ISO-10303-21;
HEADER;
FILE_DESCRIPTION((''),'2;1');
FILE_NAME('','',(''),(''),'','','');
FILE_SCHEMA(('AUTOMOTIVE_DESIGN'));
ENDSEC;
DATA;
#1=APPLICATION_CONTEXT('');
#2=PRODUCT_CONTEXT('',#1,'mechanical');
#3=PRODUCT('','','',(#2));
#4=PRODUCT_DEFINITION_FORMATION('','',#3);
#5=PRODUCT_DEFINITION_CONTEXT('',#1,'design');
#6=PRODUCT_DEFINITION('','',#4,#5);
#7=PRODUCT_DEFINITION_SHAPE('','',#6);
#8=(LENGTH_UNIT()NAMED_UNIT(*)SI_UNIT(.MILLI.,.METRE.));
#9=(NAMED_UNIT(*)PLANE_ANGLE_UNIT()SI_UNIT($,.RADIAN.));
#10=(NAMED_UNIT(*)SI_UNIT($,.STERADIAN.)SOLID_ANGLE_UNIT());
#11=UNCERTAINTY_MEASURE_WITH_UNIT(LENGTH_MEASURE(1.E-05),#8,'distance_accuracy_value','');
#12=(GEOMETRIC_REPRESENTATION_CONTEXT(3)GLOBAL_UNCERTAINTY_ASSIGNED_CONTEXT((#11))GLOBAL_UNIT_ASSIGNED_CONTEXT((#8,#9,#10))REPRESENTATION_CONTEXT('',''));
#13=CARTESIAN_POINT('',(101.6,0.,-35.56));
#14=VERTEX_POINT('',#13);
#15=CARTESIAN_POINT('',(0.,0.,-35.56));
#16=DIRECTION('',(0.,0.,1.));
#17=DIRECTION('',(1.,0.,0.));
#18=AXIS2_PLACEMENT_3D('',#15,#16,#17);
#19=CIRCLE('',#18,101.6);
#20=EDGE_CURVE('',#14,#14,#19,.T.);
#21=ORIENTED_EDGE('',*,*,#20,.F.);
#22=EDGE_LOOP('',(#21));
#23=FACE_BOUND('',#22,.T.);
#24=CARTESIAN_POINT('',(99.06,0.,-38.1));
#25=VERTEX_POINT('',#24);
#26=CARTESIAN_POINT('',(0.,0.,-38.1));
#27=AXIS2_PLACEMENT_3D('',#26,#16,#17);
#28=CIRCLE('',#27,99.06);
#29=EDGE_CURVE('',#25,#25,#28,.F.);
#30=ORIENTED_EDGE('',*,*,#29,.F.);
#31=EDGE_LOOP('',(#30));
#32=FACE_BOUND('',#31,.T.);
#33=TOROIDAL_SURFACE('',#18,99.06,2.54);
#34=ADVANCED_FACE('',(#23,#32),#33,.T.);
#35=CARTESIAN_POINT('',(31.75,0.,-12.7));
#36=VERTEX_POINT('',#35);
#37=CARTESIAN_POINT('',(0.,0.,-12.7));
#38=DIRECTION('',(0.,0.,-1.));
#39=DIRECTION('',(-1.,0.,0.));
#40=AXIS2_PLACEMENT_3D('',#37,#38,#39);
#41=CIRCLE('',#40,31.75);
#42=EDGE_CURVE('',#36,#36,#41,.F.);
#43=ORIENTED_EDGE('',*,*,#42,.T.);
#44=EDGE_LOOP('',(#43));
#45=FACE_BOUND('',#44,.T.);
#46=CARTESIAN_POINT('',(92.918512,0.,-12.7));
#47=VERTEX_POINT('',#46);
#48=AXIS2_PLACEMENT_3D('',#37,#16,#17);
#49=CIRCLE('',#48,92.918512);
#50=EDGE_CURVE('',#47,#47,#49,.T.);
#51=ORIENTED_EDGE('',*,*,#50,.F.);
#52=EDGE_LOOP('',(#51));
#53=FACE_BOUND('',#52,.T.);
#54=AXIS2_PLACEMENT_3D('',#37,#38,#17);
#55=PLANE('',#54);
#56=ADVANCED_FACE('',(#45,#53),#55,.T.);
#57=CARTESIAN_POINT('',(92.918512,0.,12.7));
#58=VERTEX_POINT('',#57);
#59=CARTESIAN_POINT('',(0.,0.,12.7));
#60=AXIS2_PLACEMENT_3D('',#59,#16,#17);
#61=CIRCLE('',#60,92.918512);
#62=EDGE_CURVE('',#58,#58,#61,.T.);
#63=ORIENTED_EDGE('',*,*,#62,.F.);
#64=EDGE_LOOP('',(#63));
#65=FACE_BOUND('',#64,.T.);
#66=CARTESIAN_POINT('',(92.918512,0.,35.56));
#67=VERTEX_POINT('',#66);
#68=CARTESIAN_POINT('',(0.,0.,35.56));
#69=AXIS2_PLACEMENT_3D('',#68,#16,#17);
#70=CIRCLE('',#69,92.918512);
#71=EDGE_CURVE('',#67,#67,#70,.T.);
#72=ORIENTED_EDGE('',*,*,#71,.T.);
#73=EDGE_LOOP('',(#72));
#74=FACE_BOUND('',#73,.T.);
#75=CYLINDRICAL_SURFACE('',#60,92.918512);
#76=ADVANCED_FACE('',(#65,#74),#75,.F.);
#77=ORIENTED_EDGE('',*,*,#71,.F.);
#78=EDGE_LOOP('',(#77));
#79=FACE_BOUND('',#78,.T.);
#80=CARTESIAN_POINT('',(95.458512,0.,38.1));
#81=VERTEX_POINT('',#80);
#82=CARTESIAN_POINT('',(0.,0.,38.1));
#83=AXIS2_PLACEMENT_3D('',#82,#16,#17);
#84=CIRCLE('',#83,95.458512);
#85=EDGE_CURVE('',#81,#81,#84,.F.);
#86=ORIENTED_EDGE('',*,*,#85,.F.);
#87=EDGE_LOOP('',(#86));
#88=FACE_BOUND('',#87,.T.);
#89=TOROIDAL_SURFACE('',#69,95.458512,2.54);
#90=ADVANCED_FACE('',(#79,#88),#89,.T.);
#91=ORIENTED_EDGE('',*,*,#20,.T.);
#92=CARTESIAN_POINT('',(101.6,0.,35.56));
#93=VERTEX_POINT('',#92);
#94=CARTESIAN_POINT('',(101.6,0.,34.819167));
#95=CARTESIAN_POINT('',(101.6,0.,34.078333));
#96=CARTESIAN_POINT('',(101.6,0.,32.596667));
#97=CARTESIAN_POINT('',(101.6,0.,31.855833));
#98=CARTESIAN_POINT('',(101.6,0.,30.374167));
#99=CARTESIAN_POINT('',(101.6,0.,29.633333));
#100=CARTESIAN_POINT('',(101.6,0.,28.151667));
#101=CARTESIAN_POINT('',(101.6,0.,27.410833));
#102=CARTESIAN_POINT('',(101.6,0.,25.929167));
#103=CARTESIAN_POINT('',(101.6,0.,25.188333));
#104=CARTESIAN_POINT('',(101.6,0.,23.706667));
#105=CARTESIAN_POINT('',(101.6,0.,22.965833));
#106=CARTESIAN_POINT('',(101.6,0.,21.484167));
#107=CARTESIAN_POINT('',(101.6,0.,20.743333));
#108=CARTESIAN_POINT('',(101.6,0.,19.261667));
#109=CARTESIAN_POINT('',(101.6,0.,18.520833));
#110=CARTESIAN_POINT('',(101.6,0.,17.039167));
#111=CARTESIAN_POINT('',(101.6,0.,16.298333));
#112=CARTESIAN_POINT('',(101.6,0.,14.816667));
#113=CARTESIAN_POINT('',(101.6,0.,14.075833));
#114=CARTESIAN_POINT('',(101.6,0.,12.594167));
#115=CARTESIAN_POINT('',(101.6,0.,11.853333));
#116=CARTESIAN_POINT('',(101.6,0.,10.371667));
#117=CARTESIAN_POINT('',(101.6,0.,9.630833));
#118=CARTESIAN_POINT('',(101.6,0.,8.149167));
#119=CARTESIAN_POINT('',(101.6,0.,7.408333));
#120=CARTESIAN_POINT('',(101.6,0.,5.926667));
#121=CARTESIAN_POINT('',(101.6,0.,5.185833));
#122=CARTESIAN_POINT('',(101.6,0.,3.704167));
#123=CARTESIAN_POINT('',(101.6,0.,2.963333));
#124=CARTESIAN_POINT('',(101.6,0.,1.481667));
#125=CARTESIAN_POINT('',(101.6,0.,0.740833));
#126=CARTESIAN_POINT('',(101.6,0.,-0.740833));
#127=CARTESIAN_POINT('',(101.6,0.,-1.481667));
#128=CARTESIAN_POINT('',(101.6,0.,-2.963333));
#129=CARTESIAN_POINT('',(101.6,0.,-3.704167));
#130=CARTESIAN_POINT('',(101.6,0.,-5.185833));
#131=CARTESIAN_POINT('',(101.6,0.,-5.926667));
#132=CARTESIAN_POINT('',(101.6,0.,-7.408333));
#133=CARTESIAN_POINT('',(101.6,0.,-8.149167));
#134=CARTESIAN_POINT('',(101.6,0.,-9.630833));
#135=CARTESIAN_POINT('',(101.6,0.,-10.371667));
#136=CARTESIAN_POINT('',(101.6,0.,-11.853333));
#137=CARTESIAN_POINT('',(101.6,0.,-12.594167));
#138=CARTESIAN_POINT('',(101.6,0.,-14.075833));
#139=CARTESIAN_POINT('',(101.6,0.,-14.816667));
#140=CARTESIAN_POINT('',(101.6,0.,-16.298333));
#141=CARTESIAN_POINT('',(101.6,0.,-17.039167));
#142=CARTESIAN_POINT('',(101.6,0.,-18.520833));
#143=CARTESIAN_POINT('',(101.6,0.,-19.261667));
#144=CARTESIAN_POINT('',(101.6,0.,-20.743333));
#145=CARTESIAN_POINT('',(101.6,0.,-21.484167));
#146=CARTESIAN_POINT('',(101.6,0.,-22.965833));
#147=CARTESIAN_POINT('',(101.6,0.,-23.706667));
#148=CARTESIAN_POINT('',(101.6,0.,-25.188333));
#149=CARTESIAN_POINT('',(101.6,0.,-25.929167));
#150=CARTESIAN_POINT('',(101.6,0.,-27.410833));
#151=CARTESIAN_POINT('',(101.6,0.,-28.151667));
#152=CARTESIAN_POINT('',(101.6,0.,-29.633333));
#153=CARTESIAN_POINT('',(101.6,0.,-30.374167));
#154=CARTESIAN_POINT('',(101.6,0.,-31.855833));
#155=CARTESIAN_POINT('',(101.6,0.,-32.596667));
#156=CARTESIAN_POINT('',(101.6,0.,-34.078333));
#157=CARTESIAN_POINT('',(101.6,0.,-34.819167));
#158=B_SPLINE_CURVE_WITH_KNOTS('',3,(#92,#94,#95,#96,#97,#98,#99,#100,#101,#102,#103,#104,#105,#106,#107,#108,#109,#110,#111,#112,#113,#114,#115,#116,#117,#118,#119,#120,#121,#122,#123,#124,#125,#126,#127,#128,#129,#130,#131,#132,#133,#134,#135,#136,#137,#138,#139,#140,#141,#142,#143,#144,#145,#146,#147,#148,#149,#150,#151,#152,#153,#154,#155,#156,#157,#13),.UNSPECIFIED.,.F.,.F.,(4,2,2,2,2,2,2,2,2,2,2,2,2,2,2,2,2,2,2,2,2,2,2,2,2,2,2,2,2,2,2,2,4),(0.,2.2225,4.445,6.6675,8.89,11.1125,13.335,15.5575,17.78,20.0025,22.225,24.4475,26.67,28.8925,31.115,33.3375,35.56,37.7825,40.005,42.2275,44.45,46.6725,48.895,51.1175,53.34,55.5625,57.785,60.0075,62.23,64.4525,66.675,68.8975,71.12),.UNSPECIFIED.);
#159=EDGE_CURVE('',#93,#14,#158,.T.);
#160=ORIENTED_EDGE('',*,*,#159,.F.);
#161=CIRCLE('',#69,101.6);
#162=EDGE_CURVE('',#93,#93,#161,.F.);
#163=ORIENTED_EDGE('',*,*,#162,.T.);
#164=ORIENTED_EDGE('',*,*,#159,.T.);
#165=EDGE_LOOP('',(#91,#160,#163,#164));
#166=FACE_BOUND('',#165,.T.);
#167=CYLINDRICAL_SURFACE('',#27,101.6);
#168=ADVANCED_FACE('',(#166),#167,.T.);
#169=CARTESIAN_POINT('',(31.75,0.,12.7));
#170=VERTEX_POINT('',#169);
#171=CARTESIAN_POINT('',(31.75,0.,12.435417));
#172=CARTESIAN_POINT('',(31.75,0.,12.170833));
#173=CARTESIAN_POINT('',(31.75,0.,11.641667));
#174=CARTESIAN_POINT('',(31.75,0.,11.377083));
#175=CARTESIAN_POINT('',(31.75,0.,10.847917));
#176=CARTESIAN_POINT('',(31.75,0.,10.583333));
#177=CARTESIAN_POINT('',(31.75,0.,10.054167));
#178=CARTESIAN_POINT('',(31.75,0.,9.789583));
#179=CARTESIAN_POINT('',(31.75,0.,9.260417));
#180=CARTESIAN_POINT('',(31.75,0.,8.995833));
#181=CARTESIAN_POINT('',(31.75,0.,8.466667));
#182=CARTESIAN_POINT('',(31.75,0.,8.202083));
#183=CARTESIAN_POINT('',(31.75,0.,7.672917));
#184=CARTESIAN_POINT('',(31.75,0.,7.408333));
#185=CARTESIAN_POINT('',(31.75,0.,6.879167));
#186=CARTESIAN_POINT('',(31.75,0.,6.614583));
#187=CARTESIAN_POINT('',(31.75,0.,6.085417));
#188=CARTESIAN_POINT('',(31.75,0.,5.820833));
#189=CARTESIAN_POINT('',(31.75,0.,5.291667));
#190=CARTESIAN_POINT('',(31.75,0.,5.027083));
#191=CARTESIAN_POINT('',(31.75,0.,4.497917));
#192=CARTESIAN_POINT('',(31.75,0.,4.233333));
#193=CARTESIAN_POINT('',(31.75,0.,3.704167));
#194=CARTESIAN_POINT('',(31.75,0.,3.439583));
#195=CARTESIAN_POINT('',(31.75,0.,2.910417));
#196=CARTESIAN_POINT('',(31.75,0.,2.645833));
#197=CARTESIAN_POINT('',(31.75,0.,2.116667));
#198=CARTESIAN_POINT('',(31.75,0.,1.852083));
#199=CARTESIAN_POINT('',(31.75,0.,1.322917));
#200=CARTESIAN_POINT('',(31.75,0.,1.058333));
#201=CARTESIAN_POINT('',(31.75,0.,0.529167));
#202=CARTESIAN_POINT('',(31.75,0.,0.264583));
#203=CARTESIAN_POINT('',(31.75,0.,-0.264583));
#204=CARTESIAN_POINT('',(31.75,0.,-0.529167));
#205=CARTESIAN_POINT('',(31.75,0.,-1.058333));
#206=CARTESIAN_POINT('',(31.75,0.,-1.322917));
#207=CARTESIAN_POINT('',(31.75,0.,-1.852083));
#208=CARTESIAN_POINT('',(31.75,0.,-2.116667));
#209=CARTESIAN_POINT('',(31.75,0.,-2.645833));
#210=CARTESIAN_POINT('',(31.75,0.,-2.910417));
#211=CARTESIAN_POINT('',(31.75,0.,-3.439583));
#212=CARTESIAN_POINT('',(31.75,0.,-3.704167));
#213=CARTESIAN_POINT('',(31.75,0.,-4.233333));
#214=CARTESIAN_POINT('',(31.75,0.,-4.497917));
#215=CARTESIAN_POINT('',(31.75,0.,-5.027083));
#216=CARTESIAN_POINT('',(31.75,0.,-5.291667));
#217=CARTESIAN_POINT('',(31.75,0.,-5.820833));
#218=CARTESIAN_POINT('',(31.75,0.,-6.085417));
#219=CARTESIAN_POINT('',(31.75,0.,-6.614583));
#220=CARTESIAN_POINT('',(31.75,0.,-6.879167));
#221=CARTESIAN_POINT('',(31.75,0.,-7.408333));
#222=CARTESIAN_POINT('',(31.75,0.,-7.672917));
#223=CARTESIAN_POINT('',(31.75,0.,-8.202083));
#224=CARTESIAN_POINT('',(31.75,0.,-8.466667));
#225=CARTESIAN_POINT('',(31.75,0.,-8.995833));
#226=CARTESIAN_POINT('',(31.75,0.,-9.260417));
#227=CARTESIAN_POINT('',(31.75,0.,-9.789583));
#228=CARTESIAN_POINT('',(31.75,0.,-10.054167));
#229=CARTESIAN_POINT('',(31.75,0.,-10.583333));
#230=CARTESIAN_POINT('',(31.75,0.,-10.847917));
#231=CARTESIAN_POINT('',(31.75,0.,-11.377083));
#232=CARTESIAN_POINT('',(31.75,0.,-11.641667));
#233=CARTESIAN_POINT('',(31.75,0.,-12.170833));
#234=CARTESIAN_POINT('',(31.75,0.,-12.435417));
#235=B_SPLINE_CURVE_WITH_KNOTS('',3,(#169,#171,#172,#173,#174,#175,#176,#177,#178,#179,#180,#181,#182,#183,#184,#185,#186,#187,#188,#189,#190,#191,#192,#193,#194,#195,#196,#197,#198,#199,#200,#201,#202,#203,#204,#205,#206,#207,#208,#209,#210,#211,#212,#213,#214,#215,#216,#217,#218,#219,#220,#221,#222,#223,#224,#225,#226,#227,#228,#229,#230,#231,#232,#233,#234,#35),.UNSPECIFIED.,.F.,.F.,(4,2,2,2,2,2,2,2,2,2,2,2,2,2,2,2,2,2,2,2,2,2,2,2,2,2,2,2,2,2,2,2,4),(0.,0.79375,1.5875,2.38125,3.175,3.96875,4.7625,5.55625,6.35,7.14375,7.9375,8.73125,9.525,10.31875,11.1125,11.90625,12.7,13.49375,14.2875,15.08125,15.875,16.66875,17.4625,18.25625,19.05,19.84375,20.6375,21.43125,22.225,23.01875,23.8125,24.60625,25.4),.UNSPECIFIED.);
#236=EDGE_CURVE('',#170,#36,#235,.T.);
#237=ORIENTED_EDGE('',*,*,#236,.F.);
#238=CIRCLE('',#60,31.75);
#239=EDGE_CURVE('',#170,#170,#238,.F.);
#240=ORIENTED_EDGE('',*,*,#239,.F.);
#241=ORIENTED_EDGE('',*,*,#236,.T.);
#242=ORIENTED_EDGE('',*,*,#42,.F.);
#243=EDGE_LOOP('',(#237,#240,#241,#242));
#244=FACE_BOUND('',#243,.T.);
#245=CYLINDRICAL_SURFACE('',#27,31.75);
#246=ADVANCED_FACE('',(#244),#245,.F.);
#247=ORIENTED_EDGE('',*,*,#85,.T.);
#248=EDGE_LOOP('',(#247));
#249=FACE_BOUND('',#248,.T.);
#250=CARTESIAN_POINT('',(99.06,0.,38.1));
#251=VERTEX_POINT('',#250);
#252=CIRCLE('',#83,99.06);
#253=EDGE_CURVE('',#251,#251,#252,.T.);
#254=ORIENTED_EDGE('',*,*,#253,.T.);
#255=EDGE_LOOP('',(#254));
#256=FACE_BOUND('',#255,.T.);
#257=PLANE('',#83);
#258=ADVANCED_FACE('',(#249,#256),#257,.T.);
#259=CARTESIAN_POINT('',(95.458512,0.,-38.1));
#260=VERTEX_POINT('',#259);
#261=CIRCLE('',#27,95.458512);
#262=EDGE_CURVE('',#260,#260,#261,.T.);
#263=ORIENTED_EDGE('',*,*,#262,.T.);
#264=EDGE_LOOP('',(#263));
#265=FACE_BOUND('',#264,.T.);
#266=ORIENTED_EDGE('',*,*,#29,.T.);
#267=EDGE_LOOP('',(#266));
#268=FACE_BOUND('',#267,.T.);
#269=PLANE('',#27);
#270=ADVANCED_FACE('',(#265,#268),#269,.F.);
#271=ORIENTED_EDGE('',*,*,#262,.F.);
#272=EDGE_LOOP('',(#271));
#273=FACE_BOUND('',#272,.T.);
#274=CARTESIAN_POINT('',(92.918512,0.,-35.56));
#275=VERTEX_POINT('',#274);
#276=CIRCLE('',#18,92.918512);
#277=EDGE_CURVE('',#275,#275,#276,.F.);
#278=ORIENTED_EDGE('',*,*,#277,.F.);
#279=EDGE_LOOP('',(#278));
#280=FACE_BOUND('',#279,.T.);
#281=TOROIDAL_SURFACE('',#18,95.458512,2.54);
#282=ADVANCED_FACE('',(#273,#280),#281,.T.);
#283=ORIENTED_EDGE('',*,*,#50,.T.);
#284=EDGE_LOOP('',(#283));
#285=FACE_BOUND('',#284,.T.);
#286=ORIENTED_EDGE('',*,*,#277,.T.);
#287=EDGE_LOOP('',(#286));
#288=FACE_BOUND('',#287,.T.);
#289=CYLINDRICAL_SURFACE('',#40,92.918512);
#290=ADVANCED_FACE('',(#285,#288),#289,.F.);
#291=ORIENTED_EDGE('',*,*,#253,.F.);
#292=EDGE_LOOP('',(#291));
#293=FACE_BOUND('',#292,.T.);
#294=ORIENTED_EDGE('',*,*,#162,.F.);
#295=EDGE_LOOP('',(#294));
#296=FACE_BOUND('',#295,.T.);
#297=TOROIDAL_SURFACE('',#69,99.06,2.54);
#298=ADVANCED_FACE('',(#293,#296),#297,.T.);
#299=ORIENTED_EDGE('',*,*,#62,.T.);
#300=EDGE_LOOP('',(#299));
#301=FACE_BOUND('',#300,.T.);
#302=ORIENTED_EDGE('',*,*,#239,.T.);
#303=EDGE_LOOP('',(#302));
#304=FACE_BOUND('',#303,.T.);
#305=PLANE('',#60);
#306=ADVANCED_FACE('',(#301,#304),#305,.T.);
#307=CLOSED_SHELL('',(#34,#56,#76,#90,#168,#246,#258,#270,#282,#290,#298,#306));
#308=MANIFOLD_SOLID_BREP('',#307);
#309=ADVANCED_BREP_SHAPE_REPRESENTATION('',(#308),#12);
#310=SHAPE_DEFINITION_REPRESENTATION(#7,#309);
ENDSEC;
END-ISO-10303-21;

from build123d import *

# Parameters (mm, degrees)
SKETCH1_R           = 101.6
SKETCH1_R_2         = 31.75
BOSS_EXTRUDE1_DEPTH = 38.1
SKETCH2_R           = 92.918511566
CUT_EXTRUDE1_DEPTH  = 25.4
FILLET1_R           = 2.54
FILLET2_R           = 2.54


with BuildPart() as part:
    # Sketch1 → Boss-Extrude1 (new, symmetric)
    with BuildSketch(Plane.XY):
        Circle(SKETCH1_R)
        Circle(SKETCH1_R_2, mode=Mode.SUBTRACT)
    extrude(amount=BOSS_EXTRUDE1_DEPTH, both=True)

    # Sketch2 → Cut-Extrude1 (cut)
    with BuildSketch(Plane.XY.offset(38.1)):
        Circle(SKETCH2_R)
    cut_extrude1 = extrude(amount=-CUT_EXTRUDE1_DEPTH, mode=Mode.SUBTRACT)

    # Mirror1: Cut-Extrude1 across plane
    add(cut_extrude1.mirror(Plane.XY), mode=Mode.SUBTRACT)

    # Fillet1
    fillet1_edges = [part.edges().sort_by_distance(p)[0] for p in [
        (-92.918511566, 0, -38.1),
        (-101.6, 0, -38.1),
    ]]
    fillet(fillet1_edges, radius=FILLET1_R)

    # Fillet2
    fillet2_edges = [part.edges().sort_by_distance(p)[0] for p in [
        (-92.918511566, 0, 38.1),
        (-101.6, 0, 38.1),
    ]]
    fillet(fillet2_edges, radius=FILLET2_R)


solid = part.part
